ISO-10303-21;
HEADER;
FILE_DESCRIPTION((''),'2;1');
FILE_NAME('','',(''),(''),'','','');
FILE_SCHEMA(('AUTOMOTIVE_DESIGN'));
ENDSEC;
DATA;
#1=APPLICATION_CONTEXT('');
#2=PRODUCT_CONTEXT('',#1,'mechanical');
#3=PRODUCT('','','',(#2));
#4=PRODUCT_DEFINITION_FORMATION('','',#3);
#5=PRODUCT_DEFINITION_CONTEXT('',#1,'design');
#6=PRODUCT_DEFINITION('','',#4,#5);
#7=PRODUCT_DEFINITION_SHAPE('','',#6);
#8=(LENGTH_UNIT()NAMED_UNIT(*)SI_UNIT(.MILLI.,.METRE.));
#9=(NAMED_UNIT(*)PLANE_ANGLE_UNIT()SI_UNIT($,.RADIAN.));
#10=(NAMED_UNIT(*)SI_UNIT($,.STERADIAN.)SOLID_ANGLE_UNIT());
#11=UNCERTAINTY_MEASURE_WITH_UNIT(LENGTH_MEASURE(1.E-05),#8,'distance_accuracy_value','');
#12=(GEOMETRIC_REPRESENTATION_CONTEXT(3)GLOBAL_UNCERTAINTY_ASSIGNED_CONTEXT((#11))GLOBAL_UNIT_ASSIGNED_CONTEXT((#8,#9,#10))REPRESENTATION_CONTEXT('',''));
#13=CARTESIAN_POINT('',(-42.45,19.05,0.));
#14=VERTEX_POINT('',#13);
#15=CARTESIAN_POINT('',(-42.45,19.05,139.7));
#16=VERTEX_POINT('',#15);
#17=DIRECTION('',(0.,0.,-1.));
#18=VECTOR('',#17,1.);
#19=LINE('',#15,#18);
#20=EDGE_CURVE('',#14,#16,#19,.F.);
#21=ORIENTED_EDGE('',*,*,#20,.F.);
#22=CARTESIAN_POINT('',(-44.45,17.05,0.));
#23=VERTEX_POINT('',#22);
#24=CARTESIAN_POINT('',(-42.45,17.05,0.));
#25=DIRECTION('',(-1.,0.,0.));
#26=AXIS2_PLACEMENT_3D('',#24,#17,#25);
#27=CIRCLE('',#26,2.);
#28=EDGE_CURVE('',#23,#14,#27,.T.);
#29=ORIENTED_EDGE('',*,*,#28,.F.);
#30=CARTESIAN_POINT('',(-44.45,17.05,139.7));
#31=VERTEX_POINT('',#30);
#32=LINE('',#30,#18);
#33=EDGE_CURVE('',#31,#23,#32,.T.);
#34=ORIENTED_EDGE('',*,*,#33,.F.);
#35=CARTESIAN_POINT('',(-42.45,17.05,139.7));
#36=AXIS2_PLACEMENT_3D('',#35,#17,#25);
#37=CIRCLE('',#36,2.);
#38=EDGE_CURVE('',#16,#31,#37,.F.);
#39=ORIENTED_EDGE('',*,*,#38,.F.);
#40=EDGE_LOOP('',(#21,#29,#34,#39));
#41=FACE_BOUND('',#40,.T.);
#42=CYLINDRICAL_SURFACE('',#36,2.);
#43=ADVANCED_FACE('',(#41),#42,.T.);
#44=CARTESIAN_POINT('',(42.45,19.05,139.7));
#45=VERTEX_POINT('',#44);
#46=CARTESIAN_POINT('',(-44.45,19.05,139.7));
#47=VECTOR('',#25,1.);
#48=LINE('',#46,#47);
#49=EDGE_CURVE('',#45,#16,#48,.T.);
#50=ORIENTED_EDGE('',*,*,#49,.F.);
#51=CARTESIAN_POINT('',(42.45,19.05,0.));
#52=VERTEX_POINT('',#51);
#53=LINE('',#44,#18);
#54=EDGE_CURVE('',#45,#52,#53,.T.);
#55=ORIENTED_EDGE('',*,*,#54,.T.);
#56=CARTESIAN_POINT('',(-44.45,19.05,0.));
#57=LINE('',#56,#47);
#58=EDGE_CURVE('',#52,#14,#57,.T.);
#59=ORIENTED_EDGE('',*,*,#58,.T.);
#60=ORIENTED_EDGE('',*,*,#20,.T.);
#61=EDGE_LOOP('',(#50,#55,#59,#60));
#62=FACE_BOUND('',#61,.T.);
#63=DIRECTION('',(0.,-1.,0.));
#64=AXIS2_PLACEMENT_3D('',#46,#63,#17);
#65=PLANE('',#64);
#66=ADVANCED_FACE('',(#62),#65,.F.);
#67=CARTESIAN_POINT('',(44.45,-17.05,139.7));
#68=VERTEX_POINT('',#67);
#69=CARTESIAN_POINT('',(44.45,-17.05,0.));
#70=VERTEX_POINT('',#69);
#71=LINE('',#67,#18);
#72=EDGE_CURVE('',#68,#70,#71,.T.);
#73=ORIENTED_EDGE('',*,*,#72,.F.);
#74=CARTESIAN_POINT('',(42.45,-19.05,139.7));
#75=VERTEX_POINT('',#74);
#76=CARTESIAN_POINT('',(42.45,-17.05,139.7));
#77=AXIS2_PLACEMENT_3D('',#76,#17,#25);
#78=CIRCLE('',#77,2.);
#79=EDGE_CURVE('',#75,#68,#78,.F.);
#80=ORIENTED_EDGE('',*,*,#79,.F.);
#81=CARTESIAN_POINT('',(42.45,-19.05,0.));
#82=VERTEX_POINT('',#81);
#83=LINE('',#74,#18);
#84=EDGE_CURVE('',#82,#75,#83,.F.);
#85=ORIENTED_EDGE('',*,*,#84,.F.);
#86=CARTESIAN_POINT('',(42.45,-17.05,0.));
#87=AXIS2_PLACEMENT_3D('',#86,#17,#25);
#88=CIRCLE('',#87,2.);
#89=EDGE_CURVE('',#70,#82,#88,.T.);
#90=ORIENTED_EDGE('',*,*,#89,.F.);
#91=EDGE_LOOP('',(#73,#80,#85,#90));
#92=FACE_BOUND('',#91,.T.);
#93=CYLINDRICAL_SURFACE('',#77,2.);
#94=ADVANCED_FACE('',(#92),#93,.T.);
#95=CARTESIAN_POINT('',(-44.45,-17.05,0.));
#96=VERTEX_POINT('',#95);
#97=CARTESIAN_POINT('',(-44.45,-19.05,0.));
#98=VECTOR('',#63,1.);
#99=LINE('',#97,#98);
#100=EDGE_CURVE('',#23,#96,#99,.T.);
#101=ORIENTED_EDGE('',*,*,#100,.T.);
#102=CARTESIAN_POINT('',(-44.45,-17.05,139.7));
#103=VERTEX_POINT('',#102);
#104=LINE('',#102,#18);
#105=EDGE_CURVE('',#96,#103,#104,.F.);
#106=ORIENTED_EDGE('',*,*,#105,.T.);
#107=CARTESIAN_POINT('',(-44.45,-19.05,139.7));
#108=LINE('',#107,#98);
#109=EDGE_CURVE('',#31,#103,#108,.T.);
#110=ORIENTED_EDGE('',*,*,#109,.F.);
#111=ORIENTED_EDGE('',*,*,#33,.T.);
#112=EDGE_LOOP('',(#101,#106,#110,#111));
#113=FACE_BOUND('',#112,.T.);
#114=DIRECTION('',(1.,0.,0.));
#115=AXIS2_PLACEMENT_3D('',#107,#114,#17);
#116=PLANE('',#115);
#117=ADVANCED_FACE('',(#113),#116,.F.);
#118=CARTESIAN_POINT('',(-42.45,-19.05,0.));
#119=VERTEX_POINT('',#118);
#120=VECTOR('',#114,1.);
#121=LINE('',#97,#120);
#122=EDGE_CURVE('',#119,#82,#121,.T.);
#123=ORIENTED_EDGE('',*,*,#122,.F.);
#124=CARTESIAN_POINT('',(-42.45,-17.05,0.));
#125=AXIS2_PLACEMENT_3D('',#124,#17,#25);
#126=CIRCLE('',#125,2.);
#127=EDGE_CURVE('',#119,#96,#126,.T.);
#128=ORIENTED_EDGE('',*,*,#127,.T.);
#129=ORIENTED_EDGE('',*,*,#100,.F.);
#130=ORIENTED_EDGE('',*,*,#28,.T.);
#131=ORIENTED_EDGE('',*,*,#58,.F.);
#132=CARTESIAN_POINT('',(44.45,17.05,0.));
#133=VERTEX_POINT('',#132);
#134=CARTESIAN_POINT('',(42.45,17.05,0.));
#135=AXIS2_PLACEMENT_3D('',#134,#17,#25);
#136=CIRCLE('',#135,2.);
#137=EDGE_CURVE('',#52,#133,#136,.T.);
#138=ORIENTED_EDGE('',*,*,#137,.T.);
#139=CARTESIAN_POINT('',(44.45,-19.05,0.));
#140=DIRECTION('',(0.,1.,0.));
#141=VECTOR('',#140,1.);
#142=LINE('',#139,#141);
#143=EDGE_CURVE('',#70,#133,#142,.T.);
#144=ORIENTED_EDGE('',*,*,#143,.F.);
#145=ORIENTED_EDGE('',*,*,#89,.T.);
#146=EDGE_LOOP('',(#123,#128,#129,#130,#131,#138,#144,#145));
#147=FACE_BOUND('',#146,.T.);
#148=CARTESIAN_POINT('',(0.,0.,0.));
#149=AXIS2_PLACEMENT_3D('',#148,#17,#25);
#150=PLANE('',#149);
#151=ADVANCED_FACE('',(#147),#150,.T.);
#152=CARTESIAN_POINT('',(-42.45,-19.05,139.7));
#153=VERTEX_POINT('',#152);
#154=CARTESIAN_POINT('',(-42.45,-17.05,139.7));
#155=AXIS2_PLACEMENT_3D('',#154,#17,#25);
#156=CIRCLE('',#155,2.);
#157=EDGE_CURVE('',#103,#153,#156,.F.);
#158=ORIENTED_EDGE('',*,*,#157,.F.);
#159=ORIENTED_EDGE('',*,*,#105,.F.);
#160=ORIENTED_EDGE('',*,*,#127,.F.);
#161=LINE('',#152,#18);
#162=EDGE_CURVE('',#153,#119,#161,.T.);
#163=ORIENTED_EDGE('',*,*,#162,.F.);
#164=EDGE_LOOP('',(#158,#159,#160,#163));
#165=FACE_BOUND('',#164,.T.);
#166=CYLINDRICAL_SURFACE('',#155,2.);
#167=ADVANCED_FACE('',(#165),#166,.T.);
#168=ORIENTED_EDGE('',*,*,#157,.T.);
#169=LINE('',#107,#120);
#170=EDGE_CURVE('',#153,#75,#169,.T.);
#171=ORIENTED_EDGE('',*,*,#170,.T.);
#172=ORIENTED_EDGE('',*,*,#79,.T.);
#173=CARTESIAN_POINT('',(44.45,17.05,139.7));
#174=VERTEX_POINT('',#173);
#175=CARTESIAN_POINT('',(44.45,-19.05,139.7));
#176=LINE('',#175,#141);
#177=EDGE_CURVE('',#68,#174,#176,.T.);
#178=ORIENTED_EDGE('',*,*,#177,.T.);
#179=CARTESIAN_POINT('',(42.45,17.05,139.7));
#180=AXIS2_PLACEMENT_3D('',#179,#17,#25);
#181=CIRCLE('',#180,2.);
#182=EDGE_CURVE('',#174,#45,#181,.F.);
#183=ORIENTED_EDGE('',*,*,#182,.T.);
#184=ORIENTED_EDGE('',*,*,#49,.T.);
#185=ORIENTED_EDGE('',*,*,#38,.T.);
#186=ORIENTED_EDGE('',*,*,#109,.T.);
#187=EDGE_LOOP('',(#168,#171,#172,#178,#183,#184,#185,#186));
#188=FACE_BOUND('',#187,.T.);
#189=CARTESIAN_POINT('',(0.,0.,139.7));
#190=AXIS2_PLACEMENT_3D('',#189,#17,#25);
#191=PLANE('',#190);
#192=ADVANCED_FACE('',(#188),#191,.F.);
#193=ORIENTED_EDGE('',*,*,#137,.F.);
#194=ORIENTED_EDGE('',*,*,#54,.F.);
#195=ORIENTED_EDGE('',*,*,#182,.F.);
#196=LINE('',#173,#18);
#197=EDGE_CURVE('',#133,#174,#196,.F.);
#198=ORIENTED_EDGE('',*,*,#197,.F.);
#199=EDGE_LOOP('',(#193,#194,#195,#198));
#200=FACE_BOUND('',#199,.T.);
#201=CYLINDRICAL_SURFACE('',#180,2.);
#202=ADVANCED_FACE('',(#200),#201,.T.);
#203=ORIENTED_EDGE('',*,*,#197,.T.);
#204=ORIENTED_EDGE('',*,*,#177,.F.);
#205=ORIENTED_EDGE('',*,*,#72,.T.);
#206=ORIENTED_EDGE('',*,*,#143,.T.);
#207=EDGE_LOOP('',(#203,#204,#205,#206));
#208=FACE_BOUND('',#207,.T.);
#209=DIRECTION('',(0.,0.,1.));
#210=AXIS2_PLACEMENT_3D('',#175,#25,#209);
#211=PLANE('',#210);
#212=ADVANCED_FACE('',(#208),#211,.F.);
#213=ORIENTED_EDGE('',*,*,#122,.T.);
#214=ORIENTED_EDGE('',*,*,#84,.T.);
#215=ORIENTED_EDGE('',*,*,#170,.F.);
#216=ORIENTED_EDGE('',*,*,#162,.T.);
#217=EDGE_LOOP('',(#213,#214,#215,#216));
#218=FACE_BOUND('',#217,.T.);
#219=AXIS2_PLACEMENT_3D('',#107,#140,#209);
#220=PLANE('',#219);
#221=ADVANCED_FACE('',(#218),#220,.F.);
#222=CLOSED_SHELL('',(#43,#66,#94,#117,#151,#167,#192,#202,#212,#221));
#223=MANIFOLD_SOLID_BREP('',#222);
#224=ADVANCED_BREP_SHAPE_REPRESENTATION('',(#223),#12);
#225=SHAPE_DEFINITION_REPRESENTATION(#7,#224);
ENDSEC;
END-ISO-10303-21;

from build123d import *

# Parameters (mm, degrees)
SKETCH1_W           = 88.9
SKETCH1_H           = 38.1
BOSS_EXTRUDE1_DEPTH = 139.7
FILLET1_R           = 2


with BuildPart() as part:
    # Sketch1 → Boss-Extrude1 (new body)
    with BuildSketch(Plane.XY):
        Rectangle(SKETCH1_W, SKETCH1_H)
    extrude(amount=BOSS_EXTRUDE1_DEPTH)

    # Fillet1
    fillet1_edges = [part.edges().sort_by_distance(p)[0] for p in [
        (44.45, -19.05, 69.85),
        (-44.45, -19.05, 69.85),
        (-44.45, 19.05, 69.85),
        (44.45, 19.05, 69.85),
    ]]
    fillet(fillet1_edges, radius=FILLET1_R)


solid = part.part
